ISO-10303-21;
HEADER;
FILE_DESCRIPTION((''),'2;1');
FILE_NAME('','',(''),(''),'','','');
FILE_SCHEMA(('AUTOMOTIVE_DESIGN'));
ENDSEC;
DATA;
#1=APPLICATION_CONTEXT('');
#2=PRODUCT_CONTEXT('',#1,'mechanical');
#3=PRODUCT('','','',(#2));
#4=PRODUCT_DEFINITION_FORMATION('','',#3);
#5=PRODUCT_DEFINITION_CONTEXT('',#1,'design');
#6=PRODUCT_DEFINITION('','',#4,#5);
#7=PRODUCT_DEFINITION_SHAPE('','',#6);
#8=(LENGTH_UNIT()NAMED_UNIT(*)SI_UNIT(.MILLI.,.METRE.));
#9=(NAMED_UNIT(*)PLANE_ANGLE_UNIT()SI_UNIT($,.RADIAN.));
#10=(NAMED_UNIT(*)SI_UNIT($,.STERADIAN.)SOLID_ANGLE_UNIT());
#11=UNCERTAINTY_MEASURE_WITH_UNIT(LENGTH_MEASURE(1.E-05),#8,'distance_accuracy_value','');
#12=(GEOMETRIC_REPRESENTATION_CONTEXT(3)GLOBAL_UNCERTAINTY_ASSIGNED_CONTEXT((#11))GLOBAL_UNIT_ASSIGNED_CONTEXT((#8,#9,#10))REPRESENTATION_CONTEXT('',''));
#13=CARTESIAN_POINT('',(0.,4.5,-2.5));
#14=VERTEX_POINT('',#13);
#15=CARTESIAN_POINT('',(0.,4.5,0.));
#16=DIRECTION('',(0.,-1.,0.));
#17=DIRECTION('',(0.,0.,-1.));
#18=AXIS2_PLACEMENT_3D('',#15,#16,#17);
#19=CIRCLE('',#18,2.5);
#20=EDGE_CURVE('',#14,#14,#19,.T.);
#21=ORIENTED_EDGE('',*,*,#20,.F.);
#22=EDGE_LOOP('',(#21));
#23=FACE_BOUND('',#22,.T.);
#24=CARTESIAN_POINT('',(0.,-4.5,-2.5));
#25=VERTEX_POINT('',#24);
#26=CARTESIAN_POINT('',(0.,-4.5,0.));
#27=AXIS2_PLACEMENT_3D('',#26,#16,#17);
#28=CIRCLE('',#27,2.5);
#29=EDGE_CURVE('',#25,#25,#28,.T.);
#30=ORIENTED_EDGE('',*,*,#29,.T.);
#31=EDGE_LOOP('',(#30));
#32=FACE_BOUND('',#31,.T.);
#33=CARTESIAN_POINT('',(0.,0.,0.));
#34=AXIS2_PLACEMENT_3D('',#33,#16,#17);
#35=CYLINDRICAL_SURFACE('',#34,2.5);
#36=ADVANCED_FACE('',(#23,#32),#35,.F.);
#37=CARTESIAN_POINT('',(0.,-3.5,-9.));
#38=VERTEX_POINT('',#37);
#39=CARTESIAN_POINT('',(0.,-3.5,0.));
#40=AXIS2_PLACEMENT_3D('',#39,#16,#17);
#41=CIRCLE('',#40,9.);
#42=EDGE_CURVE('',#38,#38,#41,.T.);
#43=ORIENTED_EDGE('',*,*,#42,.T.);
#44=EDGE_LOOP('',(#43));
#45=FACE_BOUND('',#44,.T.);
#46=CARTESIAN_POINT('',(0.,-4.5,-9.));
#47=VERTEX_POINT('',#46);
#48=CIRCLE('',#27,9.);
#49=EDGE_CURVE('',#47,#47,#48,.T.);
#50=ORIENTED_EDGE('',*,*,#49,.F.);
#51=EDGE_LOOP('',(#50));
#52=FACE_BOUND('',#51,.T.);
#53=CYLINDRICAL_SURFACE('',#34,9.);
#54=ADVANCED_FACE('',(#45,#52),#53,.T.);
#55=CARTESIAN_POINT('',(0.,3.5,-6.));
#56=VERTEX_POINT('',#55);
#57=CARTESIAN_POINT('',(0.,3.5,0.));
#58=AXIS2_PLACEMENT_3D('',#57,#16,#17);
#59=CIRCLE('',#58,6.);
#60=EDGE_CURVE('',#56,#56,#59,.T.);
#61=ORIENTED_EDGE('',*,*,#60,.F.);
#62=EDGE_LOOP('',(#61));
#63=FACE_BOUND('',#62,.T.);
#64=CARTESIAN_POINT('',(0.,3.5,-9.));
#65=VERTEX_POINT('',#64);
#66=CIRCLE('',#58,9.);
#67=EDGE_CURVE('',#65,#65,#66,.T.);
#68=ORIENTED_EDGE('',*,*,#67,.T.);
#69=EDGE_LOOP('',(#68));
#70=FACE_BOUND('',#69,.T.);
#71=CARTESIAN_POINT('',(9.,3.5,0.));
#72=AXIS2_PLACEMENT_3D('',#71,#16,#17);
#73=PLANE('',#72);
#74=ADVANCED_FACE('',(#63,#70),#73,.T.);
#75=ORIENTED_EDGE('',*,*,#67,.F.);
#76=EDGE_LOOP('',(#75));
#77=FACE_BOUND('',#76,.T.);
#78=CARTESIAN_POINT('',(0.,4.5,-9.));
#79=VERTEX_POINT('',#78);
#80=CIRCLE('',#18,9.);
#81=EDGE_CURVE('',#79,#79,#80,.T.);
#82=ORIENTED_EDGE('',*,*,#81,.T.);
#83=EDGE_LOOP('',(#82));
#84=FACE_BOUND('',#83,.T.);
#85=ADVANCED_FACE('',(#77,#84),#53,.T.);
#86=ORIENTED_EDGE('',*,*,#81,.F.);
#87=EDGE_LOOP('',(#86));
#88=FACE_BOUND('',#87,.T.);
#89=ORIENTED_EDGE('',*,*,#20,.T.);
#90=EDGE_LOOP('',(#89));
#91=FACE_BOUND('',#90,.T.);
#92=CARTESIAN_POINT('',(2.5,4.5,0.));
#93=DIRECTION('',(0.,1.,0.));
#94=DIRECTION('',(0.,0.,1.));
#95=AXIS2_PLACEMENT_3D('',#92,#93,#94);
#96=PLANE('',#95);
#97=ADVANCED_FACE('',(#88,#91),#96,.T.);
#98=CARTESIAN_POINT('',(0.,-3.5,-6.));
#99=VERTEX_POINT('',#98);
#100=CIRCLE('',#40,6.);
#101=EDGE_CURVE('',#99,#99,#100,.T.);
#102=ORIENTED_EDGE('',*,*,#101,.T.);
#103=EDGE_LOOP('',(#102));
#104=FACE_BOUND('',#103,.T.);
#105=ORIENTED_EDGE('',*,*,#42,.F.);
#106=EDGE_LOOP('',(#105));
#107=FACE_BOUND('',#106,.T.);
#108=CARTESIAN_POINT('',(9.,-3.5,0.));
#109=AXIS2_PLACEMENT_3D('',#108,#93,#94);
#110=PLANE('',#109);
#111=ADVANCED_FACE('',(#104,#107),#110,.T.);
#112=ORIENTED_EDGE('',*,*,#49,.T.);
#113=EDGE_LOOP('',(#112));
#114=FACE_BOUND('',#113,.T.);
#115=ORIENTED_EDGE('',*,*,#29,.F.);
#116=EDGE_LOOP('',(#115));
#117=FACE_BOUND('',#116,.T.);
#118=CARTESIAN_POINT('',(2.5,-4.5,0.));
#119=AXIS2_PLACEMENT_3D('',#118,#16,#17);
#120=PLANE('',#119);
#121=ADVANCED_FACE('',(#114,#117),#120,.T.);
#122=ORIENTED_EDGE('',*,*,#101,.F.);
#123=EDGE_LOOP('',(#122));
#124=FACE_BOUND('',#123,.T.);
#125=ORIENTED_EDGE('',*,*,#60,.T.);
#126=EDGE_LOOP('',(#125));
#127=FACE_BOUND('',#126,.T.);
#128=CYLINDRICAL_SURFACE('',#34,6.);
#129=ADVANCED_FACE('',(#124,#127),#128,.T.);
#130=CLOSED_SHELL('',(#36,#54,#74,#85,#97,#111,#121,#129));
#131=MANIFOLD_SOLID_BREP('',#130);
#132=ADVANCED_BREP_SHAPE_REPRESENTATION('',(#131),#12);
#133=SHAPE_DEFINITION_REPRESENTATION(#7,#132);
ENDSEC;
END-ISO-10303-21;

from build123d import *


with BuildPart() as part:
    # Sketch1 → Revolve1 (revolve)
    with BuildSketch(Plane.XY):
        Polygon((2.5, -4.5), (2.5, 4.5), (9, 4.5), (9, 3.5), (6, 3.5), (6, -3.5), (9, -3.5), (9, -4.5), align=None)
    revolve(axis=Axis((0, 0, 0), (0, 1, 0)))


solid = part.part
